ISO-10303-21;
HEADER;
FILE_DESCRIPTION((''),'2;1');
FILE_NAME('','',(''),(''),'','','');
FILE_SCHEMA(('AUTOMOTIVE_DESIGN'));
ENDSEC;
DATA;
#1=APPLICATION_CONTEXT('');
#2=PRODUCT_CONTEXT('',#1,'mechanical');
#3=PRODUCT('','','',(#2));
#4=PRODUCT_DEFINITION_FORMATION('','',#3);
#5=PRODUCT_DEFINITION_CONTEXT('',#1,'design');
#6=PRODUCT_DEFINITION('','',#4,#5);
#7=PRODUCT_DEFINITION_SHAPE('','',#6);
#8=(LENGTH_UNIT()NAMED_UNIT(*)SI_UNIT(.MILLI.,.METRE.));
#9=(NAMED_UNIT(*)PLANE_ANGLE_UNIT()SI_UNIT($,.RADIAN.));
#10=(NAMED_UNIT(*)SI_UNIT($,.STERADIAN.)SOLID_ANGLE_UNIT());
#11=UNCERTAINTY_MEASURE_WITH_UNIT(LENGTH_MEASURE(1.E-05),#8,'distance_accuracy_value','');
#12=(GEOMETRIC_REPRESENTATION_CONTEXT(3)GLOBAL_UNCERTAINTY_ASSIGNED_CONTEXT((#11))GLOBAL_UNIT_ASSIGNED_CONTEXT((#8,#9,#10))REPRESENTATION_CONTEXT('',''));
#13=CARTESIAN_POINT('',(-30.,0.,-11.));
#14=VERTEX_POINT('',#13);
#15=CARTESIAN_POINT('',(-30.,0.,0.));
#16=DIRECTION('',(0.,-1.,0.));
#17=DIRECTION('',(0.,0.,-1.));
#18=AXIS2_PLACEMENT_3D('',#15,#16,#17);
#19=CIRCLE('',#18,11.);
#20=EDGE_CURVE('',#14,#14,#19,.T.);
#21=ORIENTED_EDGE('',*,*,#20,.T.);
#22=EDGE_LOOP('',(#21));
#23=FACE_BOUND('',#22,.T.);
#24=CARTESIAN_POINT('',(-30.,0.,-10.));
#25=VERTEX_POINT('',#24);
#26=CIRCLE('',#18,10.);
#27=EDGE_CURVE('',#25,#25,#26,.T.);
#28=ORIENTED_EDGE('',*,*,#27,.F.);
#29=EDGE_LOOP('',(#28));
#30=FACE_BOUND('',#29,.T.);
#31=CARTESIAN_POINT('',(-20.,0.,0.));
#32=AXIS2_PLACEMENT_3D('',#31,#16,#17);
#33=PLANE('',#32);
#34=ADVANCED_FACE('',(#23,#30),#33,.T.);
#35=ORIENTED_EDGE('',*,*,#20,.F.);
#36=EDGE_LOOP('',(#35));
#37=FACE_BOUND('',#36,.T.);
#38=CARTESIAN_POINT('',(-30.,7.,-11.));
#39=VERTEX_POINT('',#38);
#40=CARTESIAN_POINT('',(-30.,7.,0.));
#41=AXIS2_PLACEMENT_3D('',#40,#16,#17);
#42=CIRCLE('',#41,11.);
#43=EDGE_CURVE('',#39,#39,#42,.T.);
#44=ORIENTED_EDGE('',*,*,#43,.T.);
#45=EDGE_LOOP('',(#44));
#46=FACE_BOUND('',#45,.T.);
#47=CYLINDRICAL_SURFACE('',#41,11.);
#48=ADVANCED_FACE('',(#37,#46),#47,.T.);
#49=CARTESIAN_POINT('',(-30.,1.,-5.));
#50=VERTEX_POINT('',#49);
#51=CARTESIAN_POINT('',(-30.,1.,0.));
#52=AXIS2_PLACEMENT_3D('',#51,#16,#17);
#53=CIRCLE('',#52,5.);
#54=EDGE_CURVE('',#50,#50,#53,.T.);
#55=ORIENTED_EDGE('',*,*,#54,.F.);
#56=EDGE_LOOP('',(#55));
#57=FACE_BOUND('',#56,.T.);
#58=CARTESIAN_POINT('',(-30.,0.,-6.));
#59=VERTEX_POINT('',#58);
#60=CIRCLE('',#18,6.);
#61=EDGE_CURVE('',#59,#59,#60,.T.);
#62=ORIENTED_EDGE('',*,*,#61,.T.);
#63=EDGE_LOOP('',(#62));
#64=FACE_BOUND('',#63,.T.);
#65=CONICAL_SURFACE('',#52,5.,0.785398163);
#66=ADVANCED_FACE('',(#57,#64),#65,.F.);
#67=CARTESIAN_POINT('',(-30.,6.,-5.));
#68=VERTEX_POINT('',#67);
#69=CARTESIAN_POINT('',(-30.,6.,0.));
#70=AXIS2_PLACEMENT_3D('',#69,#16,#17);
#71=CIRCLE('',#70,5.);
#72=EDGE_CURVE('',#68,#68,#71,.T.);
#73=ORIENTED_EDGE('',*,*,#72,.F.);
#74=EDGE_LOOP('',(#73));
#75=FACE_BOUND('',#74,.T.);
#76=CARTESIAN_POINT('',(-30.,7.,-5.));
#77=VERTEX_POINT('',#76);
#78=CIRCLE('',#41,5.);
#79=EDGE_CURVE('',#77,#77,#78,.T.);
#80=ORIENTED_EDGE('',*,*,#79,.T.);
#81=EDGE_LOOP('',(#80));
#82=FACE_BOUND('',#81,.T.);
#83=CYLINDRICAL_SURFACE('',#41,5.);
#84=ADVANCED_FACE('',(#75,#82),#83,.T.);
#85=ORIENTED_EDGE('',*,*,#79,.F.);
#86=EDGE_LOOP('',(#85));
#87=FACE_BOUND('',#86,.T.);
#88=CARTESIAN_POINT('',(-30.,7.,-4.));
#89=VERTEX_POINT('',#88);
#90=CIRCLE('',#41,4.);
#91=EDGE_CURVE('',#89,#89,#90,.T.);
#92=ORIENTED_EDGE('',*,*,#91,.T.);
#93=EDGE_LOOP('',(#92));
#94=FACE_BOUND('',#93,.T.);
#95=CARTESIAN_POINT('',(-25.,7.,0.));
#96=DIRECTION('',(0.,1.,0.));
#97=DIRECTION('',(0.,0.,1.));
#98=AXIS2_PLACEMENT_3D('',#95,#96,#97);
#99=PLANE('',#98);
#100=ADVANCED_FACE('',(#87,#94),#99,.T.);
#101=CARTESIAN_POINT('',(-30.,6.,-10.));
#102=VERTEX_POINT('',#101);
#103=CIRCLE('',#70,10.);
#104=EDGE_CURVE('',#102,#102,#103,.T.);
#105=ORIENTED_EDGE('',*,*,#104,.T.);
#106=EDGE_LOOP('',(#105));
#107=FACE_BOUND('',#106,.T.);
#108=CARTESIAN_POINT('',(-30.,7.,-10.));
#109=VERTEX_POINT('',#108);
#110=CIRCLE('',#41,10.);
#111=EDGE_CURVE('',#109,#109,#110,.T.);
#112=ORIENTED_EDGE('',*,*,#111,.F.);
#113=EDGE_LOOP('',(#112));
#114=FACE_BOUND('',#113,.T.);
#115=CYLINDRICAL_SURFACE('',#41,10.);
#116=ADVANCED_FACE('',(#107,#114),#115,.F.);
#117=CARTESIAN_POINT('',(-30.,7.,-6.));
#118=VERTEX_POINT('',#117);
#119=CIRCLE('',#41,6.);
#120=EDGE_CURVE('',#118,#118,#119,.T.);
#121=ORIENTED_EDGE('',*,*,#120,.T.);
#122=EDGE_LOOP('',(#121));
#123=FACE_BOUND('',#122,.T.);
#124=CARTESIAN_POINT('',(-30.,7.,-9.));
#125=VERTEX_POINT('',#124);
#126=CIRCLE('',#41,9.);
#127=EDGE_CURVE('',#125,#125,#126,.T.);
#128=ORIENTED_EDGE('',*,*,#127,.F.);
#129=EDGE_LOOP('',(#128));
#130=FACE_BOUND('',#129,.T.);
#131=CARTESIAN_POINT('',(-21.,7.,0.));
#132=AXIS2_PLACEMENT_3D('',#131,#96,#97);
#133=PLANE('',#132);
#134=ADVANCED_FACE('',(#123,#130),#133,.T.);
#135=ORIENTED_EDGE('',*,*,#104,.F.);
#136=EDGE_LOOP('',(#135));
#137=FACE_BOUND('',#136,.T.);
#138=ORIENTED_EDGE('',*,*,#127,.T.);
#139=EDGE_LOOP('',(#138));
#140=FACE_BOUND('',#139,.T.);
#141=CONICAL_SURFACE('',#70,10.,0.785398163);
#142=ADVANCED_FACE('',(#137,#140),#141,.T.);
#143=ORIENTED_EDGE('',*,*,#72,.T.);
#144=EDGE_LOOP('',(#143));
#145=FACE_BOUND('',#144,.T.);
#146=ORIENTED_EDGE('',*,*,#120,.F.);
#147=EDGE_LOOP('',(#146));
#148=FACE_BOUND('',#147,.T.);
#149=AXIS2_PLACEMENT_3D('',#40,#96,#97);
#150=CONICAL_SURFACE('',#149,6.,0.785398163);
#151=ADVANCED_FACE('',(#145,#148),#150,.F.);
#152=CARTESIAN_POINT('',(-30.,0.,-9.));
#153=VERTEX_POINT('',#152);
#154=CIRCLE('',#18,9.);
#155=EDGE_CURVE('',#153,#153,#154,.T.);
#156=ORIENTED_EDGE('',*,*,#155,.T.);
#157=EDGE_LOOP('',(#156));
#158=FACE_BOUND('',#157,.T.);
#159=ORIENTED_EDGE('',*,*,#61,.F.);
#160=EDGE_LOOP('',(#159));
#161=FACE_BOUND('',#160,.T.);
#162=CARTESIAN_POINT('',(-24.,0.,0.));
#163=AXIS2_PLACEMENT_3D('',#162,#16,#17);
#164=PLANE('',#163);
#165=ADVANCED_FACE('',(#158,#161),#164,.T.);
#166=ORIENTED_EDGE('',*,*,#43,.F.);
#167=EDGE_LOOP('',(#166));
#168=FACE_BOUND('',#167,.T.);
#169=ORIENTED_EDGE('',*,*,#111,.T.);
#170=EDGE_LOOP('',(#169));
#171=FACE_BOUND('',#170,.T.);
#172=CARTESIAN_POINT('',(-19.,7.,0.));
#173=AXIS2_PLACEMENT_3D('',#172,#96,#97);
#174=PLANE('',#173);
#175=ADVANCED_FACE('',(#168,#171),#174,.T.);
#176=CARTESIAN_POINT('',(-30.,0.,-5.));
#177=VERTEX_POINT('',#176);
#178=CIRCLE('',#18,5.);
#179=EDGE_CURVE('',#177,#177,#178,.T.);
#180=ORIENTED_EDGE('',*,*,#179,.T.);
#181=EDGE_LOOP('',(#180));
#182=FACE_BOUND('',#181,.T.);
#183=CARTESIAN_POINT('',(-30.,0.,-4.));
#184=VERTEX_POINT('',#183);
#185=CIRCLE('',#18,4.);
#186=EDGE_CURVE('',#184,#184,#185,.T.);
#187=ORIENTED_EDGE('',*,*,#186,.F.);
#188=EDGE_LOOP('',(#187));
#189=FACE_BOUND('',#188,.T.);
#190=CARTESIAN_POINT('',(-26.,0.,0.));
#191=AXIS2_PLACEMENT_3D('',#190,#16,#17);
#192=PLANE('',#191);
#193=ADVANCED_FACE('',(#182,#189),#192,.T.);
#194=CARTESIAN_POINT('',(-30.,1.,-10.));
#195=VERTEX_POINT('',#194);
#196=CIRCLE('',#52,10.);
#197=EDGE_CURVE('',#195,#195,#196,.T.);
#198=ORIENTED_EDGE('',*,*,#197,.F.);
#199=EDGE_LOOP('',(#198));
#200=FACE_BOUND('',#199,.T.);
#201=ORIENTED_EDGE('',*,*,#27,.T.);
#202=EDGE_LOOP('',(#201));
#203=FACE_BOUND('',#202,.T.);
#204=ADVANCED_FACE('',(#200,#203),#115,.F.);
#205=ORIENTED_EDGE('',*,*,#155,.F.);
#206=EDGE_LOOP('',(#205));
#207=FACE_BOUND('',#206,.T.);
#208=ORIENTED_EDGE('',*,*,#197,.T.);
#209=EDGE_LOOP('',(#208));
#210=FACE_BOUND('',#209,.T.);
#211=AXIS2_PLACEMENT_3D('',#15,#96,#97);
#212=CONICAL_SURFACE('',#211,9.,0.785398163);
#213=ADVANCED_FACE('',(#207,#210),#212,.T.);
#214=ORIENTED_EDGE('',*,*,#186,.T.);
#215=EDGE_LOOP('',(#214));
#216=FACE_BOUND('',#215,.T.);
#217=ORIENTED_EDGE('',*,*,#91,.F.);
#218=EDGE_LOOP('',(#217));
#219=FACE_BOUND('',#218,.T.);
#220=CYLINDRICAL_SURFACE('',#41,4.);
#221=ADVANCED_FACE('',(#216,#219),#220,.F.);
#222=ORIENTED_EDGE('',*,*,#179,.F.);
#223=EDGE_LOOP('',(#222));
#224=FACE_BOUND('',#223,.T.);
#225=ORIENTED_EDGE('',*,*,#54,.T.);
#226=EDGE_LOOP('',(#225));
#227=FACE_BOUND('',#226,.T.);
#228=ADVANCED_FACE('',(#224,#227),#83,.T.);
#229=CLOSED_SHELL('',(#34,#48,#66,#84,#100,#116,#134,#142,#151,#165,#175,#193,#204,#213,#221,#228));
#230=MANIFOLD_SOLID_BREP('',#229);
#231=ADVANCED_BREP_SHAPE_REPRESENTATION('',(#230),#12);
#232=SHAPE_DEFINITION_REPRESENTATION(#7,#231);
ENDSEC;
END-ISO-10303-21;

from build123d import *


with BuildPart() as part:
    # 草图1 → 旋转1 (revolve)
    with BuildSketch(Plane.XY):
        Polygon((-20, 0), (-19, 0), (-19, 7), (-20, 7), (-20, 6), (-21, 7), (-24, 7), (-25, 6), (-25, 7), (-26, 7), (-26, 0), (-25, 0), (-25, 1), (-24, 0), (-21, 0), (-20, 1), align=None)
    revolve(axis=Axis((-30, 7, 0), (0, -1, 0)))


solid = part.part
